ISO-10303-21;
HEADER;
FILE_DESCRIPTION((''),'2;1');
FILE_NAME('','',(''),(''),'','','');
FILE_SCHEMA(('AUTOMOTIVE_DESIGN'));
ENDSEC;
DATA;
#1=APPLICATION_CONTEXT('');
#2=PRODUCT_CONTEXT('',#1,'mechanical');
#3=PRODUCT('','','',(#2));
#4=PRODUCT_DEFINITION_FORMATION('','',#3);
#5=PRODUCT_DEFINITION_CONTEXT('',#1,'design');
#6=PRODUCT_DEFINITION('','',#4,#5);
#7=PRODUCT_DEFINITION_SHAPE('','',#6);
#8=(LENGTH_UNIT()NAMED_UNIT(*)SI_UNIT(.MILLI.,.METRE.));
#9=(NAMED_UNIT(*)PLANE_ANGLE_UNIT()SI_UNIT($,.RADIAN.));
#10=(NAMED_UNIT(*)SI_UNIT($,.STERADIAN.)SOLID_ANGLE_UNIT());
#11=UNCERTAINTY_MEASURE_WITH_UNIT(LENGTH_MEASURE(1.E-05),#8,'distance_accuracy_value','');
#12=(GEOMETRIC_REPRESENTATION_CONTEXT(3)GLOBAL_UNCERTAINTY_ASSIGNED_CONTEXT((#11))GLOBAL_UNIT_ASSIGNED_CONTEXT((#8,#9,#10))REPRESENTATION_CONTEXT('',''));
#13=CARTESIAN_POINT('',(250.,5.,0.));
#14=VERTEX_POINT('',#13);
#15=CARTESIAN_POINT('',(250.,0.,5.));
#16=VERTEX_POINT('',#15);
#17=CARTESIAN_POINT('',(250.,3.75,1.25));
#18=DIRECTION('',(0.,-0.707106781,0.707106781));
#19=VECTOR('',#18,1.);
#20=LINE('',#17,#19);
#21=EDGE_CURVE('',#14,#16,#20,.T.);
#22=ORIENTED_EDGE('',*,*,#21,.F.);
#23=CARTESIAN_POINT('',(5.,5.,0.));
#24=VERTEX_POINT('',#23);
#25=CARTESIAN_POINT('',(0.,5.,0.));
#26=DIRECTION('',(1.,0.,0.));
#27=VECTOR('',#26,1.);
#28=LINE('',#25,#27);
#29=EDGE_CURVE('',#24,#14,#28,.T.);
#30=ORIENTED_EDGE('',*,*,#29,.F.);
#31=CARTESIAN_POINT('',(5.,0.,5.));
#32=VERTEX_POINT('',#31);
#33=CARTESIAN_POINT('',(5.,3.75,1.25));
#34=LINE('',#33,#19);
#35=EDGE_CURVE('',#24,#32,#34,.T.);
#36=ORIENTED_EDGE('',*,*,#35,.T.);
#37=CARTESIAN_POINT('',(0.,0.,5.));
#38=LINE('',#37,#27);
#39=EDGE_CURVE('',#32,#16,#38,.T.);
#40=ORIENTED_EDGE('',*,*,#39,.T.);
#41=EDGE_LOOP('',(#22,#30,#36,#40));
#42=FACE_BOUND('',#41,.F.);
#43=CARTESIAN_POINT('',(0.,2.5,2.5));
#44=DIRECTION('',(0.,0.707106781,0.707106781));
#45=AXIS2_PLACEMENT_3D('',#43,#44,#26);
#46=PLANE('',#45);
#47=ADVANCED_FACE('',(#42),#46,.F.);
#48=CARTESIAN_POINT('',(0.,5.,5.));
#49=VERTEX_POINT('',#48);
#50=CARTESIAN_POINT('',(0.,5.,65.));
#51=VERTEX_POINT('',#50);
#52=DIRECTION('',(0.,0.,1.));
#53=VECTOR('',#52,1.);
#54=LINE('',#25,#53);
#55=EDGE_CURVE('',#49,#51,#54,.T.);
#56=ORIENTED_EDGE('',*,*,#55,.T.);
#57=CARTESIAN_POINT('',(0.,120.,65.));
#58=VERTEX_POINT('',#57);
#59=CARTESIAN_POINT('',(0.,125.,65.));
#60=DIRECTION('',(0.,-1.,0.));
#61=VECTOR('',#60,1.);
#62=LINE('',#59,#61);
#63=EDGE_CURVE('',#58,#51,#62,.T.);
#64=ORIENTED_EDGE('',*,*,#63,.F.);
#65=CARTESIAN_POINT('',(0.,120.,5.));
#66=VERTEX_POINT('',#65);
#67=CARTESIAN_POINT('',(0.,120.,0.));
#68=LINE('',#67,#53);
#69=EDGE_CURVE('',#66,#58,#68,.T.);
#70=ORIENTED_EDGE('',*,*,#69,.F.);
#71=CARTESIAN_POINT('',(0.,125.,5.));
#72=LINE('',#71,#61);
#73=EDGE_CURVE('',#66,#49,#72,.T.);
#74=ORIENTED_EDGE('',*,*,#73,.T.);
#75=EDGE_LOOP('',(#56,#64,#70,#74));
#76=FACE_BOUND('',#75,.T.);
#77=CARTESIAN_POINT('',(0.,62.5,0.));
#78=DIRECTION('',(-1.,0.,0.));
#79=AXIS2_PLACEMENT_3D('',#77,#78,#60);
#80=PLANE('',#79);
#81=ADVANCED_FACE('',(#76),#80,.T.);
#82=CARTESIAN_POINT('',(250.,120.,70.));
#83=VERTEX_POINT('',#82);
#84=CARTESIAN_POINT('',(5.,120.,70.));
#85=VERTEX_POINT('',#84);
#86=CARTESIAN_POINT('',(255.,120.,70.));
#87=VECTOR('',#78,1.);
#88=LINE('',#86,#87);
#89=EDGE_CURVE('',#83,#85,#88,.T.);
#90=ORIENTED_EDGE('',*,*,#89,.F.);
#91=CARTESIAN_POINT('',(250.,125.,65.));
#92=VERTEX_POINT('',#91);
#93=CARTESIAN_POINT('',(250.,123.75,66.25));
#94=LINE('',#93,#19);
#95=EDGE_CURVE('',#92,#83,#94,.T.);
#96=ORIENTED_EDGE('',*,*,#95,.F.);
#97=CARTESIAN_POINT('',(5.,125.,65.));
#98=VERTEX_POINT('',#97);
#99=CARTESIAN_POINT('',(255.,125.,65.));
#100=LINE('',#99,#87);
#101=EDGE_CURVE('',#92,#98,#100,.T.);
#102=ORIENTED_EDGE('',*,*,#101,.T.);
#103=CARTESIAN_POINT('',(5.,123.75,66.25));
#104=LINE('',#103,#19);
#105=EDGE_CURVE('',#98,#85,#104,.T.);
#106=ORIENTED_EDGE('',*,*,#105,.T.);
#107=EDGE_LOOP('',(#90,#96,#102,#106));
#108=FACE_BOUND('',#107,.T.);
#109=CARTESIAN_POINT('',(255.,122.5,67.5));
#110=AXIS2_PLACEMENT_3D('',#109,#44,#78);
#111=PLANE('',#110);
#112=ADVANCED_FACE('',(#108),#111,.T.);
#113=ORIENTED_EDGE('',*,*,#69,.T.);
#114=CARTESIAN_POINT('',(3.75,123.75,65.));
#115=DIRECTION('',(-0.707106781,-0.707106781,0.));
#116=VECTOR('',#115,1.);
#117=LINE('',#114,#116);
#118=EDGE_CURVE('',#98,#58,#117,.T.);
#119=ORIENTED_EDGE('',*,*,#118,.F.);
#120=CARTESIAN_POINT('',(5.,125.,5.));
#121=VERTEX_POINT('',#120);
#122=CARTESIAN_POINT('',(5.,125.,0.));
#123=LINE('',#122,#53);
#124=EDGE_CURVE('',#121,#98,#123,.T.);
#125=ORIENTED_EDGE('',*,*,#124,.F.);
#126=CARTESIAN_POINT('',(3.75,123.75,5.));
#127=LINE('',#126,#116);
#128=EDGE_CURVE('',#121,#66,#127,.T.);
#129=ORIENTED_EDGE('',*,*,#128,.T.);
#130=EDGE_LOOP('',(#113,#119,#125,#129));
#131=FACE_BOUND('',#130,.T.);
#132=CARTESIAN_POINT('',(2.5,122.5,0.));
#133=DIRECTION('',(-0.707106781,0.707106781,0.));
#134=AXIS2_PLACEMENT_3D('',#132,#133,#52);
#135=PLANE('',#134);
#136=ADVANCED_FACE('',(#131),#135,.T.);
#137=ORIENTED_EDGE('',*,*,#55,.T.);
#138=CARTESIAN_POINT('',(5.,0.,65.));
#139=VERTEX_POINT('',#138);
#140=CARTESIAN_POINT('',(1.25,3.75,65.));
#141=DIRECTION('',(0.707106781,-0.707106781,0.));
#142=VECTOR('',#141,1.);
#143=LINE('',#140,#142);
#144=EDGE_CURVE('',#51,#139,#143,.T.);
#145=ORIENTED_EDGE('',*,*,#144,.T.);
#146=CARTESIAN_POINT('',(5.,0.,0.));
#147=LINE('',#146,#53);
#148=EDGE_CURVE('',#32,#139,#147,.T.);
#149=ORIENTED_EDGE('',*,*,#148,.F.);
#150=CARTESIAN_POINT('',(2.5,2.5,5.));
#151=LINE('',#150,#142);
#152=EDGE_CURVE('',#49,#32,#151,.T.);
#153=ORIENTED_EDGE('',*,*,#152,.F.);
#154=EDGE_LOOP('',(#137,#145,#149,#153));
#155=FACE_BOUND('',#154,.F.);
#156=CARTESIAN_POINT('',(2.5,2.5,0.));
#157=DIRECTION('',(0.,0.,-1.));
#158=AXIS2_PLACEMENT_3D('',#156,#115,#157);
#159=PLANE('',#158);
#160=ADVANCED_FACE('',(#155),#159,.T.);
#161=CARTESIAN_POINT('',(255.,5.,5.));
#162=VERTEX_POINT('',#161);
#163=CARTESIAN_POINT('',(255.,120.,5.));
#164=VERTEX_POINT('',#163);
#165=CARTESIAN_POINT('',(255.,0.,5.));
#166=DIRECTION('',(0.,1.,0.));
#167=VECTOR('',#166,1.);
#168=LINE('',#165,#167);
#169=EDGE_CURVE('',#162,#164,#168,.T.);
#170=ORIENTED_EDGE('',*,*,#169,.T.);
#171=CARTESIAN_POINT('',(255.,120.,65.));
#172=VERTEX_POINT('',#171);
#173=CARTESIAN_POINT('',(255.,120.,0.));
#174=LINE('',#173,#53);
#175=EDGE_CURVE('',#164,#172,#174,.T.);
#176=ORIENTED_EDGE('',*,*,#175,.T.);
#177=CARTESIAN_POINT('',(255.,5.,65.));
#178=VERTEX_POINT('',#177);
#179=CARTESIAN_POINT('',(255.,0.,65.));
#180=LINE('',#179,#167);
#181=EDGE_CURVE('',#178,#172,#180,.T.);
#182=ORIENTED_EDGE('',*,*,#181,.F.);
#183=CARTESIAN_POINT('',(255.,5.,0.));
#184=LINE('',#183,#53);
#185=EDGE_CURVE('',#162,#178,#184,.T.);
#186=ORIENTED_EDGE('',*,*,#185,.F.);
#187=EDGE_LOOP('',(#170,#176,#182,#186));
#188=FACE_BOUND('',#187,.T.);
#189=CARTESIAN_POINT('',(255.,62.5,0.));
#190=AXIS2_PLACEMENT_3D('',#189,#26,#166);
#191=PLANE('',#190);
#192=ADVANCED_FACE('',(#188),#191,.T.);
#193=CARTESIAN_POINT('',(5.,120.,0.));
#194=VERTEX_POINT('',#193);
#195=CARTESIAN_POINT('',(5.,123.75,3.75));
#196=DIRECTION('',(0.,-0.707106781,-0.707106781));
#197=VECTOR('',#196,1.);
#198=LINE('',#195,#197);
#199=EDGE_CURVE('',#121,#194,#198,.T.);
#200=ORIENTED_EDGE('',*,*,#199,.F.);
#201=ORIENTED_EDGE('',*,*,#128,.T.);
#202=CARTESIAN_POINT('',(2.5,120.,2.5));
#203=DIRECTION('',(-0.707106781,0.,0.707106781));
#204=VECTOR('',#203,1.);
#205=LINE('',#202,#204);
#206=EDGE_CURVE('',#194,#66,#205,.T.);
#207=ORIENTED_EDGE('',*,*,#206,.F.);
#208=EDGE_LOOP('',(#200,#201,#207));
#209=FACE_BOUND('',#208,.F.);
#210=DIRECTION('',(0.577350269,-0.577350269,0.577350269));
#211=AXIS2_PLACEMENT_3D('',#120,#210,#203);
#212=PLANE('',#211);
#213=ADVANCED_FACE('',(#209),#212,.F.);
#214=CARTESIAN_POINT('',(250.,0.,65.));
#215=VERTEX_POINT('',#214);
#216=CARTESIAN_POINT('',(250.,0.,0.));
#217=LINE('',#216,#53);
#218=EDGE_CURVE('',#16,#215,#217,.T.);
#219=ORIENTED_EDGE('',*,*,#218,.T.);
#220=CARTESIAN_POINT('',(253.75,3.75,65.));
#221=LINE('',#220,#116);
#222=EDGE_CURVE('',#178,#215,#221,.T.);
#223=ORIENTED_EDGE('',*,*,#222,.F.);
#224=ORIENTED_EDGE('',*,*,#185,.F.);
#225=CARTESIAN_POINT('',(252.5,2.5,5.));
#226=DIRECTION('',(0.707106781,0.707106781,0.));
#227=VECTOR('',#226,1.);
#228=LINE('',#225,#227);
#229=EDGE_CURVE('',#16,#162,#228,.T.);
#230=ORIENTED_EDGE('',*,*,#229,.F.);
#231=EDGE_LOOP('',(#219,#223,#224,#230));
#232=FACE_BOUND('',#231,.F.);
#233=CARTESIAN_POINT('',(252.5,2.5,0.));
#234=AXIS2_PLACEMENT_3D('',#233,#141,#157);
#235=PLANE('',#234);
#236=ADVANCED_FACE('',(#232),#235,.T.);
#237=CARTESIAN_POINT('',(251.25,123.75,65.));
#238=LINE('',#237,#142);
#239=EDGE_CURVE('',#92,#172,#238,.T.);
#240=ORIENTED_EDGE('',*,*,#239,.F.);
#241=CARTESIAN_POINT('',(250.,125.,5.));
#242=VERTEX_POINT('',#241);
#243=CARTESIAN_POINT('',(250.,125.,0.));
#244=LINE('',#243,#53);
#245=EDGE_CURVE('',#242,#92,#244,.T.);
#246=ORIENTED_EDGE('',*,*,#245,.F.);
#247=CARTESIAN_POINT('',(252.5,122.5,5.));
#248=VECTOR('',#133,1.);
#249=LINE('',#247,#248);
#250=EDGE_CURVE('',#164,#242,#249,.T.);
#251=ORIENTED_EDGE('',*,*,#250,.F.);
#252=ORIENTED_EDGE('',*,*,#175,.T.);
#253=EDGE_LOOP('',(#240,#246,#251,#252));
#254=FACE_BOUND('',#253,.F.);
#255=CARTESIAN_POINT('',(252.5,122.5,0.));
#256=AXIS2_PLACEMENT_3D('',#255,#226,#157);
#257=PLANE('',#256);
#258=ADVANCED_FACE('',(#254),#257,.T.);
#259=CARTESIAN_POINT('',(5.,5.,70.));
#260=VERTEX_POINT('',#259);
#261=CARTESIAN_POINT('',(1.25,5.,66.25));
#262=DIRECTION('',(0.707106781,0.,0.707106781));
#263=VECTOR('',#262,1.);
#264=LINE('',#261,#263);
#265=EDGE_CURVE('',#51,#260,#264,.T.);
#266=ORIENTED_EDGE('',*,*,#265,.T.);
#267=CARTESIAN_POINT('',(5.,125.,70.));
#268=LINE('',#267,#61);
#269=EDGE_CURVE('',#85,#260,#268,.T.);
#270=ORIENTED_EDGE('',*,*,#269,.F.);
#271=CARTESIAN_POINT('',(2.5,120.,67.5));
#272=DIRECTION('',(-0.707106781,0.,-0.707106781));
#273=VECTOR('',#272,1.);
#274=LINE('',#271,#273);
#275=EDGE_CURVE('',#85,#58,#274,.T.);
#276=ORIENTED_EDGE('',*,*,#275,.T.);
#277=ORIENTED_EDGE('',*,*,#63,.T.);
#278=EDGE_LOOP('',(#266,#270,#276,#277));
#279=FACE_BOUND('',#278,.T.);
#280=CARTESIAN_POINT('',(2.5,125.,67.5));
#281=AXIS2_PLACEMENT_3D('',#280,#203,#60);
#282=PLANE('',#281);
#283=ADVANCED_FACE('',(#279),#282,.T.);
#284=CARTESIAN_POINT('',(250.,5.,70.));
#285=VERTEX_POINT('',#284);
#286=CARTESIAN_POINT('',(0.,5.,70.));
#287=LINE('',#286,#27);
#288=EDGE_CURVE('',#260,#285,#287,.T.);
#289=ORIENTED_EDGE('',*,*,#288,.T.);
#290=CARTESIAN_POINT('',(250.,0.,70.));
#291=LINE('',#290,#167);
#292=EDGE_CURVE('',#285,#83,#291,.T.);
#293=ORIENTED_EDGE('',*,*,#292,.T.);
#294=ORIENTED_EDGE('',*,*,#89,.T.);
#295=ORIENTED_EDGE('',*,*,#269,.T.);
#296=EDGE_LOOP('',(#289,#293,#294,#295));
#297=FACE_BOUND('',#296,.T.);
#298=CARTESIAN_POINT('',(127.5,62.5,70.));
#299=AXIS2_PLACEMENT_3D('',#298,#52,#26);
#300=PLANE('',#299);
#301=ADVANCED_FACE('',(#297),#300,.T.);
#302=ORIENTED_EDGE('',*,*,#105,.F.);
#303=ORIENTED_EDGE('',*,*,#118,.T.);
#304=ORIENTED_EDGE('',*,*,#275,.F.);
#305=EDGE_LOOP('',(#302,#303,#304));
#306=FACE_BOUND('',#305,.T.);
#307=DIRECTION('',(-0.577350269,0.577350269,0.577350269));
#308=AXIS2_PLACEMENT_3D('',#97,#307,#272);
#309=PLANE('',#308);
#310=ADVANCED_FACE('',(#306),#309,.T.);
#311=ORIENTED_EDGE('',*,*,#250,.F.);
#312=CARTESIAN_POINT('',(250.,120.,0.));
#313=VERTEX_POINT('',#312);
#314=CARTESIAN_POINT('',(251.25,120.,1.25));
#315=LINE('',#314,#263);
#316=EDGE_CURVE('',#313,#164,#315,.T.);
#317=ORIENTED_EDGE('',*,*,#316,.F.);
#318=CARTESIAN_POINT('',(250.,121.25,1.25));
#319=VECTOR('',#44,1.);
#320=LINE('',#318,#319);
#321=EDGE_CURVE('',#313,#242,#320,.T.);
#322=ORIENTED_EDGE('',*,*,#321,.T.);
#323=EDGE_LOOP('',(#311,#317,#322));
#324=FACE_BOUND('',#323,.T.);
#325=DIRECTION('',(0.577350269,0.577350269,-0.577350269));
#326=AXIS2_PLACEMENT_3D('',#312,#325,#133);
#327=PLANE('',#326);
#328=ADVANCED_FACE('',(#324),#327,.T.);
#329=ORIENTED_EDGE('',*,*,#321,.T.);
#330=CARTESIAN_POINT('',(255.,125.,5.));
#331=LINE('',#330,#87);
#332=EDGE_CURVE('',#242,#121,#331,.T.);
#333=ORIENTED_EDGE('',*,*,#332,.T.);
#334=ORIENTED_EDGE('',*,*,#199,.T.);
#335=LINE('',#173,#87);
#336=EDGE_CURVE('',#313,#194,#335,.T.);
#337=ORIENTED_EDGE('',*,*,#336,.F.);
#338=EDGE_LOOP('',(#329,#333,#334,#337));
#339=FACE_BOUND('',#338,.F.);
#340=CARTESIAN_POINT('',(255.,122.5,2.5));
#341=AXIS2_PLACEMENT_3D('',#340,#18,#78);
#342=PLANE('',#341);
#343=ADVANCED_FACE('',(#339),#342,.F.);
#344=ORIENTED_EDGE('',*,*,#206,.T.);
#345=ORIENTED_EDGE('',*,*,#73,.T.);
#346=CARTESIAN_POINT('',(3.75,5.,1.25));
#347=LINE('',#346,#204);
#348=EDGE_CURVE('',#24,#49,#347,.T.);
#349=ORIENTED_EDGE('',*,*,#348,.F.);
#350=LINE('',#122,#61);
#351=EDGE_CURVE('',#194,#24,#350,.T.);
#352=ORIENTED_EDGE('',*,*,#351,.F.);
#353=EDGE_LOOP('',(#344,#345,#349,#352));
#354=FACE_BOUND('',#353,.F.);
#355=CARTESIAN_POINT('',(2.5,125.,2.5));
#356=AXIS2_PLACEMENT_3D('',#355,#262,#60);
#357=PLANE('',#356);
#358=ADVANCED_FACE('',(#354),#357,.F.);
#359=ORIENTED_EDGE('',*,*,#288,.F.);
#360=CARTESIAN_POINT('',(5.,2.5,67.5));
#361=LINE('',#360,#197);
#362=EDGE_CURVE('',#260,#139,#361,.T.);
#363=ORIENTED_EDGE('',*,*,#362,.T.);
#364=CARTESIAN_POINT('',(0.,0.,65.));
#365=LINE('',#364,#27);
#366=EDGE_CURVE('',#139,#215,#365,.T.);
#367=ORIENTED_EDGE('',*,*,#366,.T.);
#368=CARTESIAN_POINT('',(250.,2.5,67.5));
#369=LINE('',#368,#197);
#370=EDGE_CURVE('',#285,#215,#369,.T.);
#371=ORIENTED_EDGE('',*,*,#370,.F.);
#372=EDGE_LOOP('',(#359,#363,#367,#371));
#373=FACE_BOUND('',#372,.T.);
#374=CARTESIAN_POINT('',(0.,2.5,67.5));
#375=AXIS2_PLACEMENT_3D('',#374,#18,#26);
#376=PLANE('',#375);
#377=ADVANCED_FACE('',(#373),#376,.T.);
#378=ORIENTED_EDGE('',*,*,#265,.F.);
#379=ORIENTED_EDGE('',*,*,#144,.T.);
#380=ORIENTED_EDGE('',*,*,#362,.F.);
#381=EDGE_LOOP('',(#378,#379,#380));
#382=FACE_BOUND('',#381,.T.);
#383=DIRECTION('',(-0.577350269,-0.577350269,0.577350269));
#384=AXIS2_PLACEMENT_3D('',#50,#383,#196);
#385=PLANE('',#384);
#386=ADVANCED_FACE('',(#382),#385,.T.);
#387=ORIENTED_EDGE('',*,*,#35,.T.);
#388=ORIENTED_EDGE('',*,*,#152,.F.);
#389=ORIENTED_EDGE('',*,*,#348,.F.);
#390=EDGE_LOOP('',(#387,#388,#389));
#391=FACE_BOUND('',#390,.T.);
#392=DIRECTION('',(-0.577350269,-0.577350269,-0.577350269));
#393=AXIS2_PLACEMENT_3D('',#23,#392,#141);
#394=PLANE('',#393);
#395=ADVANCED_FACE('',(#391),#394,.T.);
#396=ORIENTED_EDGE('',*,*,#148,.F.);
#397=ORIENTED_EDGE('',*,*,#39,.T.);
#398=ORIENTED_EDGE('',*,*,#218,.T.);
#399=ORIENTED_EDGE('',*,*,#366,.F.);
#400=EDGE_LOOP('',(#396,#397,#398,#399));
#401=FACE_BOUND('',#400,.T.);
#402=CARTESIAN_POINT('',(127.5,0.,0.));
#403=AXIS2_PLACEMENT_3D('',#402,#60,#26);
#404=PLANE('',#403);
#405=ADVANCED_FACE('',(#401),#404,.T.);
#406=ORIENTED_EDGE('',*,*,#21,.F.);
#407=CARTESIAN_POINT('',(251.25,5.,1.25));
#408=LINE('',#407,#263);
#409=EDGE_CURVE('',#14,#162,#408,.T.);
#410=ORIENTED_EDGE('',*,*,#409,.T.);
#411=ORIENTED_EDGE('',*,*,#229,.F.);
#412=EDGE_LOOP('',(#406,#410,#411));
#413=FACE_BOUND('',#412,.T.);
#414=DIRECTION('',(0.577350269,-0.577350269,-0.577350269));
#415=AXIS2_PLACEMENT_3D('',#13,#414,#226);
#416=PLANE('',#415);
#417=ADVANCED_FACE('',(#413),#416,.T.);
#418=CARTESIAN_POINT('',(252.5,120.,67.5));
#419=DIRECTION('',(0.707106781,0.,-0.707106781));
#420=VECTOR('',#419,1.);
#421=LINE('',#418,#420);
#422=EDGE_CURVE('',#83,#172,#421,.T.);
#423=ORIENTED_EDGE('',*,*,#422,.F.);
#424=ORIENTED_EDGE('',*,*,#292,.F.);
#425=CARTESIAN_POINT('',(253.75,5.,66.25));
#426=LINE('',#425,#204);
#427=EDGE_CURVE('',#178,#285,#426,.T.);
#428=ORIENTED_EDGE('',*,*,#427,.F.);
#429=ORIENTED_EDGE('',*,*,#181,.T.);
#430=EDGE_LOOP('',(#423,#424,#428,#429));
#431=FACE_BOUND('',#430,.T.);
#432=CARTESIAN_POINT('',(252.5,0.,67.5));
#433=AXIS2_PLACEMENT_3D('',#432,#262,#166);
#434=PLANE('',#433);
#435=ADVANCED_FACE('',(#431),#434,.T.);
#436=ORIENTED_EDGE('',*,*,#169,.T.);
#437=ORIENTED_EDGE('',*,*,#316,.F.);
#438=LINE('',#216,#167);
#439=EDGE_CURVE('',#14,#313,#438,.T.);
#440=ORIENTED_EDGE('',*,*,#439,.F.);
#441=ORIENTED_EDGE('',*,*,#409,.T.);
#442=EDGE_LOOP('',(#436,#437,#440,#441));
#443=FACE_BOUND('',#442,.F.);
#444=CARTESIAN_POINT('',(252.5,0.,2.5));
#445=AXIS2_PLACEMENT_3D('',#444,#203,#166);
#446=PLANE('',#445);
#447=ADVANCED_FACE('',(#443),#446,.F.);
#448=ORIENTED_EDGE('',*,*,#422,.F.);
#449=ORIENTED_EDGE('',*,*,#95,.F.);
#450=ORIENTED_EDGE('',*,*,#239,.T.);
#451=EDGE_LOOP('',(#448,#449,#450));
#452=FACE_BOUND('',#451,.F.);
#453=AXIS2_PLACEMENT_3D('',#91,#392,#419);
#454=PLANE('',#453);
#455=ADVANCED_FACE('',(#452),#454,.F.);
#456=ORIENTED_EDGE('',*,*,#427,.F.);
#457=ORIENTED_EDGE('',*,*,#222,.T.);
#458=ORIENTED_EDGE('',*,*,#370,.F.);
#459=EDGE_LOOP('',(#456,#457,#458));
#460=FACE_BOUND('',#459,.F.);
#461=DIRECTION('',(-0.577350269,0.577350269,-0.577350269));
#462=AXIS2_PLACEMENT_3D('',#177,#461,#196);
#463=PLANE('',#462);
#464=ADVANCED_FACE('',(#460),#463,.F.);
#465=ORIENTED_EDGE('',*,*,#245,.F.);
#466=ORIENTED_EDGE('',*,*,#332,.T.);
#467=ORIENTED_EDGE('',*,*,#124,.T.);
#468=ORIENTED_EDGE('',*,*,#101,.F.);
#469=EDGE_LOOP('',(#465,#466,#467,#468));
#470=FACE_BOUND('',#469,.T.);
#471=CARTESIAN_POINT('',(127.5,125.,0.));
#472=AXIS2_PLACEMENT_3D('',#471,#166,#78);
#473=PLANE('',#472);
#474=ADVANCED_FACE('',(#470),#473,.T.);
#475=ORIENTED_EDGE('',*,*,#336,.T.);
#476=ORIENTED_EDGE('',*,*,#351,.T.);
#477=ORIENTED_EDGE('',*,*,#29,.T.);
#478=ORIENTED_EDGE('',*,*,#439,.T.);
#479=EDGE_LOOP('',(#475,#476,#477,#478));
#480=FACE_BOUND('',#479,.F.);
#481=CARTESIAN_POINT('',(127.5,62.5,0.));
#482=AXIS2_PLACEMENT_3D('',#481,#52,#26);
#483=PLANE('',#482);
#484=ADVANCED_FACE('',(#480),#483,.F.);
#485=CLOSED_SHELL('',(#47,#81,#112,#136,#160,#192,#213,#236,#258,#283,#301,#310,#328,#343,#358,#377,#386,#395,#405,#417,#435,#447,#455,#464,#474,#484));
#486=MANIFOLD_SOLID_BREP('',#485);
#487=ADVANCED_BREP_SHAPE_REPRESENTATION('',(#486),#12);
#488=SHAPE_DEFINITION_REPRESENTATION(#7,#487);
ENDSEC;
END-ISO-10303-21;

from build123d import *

# Parameters (mm, degrees)
F0_W    = 255
F0_H    = 125
F3_SIZE = 5


with BuildPart() as f2:
    # F2: sweep along a path in F1
    with BuildLine(Plane.XZ) as f2_path:
        Line((0, 0), (0, 70))
    # F0 (on Top) → F2 (sweep)
    with BuildSketch(Plane.XY):
        with Locations((127.5, 62.5)):
            Rectangle(F0_W, F0_H)
    sweep(path=f2_path.line)

    # F3
    f3_edges = [f2.edges().sort_by_distance(p)[0] for p in [
        (127.5, 0, 70),
        (255, 62.5, 70),
        (0, 62.5, 70),
        (127.5, 125, 70),
        (255, 0, 35),
        (255, 125, 35),
        (0, 0, 35),
        (0, 62.5, 0),
        (127.5, 0, 0),
        (255, 62.5, 0),
        (127.5, 125, 0),
        (0, 125, 35),
    ]]
    chamfer(f3_edges, length=F3_SIZE)


solid = f2.part
